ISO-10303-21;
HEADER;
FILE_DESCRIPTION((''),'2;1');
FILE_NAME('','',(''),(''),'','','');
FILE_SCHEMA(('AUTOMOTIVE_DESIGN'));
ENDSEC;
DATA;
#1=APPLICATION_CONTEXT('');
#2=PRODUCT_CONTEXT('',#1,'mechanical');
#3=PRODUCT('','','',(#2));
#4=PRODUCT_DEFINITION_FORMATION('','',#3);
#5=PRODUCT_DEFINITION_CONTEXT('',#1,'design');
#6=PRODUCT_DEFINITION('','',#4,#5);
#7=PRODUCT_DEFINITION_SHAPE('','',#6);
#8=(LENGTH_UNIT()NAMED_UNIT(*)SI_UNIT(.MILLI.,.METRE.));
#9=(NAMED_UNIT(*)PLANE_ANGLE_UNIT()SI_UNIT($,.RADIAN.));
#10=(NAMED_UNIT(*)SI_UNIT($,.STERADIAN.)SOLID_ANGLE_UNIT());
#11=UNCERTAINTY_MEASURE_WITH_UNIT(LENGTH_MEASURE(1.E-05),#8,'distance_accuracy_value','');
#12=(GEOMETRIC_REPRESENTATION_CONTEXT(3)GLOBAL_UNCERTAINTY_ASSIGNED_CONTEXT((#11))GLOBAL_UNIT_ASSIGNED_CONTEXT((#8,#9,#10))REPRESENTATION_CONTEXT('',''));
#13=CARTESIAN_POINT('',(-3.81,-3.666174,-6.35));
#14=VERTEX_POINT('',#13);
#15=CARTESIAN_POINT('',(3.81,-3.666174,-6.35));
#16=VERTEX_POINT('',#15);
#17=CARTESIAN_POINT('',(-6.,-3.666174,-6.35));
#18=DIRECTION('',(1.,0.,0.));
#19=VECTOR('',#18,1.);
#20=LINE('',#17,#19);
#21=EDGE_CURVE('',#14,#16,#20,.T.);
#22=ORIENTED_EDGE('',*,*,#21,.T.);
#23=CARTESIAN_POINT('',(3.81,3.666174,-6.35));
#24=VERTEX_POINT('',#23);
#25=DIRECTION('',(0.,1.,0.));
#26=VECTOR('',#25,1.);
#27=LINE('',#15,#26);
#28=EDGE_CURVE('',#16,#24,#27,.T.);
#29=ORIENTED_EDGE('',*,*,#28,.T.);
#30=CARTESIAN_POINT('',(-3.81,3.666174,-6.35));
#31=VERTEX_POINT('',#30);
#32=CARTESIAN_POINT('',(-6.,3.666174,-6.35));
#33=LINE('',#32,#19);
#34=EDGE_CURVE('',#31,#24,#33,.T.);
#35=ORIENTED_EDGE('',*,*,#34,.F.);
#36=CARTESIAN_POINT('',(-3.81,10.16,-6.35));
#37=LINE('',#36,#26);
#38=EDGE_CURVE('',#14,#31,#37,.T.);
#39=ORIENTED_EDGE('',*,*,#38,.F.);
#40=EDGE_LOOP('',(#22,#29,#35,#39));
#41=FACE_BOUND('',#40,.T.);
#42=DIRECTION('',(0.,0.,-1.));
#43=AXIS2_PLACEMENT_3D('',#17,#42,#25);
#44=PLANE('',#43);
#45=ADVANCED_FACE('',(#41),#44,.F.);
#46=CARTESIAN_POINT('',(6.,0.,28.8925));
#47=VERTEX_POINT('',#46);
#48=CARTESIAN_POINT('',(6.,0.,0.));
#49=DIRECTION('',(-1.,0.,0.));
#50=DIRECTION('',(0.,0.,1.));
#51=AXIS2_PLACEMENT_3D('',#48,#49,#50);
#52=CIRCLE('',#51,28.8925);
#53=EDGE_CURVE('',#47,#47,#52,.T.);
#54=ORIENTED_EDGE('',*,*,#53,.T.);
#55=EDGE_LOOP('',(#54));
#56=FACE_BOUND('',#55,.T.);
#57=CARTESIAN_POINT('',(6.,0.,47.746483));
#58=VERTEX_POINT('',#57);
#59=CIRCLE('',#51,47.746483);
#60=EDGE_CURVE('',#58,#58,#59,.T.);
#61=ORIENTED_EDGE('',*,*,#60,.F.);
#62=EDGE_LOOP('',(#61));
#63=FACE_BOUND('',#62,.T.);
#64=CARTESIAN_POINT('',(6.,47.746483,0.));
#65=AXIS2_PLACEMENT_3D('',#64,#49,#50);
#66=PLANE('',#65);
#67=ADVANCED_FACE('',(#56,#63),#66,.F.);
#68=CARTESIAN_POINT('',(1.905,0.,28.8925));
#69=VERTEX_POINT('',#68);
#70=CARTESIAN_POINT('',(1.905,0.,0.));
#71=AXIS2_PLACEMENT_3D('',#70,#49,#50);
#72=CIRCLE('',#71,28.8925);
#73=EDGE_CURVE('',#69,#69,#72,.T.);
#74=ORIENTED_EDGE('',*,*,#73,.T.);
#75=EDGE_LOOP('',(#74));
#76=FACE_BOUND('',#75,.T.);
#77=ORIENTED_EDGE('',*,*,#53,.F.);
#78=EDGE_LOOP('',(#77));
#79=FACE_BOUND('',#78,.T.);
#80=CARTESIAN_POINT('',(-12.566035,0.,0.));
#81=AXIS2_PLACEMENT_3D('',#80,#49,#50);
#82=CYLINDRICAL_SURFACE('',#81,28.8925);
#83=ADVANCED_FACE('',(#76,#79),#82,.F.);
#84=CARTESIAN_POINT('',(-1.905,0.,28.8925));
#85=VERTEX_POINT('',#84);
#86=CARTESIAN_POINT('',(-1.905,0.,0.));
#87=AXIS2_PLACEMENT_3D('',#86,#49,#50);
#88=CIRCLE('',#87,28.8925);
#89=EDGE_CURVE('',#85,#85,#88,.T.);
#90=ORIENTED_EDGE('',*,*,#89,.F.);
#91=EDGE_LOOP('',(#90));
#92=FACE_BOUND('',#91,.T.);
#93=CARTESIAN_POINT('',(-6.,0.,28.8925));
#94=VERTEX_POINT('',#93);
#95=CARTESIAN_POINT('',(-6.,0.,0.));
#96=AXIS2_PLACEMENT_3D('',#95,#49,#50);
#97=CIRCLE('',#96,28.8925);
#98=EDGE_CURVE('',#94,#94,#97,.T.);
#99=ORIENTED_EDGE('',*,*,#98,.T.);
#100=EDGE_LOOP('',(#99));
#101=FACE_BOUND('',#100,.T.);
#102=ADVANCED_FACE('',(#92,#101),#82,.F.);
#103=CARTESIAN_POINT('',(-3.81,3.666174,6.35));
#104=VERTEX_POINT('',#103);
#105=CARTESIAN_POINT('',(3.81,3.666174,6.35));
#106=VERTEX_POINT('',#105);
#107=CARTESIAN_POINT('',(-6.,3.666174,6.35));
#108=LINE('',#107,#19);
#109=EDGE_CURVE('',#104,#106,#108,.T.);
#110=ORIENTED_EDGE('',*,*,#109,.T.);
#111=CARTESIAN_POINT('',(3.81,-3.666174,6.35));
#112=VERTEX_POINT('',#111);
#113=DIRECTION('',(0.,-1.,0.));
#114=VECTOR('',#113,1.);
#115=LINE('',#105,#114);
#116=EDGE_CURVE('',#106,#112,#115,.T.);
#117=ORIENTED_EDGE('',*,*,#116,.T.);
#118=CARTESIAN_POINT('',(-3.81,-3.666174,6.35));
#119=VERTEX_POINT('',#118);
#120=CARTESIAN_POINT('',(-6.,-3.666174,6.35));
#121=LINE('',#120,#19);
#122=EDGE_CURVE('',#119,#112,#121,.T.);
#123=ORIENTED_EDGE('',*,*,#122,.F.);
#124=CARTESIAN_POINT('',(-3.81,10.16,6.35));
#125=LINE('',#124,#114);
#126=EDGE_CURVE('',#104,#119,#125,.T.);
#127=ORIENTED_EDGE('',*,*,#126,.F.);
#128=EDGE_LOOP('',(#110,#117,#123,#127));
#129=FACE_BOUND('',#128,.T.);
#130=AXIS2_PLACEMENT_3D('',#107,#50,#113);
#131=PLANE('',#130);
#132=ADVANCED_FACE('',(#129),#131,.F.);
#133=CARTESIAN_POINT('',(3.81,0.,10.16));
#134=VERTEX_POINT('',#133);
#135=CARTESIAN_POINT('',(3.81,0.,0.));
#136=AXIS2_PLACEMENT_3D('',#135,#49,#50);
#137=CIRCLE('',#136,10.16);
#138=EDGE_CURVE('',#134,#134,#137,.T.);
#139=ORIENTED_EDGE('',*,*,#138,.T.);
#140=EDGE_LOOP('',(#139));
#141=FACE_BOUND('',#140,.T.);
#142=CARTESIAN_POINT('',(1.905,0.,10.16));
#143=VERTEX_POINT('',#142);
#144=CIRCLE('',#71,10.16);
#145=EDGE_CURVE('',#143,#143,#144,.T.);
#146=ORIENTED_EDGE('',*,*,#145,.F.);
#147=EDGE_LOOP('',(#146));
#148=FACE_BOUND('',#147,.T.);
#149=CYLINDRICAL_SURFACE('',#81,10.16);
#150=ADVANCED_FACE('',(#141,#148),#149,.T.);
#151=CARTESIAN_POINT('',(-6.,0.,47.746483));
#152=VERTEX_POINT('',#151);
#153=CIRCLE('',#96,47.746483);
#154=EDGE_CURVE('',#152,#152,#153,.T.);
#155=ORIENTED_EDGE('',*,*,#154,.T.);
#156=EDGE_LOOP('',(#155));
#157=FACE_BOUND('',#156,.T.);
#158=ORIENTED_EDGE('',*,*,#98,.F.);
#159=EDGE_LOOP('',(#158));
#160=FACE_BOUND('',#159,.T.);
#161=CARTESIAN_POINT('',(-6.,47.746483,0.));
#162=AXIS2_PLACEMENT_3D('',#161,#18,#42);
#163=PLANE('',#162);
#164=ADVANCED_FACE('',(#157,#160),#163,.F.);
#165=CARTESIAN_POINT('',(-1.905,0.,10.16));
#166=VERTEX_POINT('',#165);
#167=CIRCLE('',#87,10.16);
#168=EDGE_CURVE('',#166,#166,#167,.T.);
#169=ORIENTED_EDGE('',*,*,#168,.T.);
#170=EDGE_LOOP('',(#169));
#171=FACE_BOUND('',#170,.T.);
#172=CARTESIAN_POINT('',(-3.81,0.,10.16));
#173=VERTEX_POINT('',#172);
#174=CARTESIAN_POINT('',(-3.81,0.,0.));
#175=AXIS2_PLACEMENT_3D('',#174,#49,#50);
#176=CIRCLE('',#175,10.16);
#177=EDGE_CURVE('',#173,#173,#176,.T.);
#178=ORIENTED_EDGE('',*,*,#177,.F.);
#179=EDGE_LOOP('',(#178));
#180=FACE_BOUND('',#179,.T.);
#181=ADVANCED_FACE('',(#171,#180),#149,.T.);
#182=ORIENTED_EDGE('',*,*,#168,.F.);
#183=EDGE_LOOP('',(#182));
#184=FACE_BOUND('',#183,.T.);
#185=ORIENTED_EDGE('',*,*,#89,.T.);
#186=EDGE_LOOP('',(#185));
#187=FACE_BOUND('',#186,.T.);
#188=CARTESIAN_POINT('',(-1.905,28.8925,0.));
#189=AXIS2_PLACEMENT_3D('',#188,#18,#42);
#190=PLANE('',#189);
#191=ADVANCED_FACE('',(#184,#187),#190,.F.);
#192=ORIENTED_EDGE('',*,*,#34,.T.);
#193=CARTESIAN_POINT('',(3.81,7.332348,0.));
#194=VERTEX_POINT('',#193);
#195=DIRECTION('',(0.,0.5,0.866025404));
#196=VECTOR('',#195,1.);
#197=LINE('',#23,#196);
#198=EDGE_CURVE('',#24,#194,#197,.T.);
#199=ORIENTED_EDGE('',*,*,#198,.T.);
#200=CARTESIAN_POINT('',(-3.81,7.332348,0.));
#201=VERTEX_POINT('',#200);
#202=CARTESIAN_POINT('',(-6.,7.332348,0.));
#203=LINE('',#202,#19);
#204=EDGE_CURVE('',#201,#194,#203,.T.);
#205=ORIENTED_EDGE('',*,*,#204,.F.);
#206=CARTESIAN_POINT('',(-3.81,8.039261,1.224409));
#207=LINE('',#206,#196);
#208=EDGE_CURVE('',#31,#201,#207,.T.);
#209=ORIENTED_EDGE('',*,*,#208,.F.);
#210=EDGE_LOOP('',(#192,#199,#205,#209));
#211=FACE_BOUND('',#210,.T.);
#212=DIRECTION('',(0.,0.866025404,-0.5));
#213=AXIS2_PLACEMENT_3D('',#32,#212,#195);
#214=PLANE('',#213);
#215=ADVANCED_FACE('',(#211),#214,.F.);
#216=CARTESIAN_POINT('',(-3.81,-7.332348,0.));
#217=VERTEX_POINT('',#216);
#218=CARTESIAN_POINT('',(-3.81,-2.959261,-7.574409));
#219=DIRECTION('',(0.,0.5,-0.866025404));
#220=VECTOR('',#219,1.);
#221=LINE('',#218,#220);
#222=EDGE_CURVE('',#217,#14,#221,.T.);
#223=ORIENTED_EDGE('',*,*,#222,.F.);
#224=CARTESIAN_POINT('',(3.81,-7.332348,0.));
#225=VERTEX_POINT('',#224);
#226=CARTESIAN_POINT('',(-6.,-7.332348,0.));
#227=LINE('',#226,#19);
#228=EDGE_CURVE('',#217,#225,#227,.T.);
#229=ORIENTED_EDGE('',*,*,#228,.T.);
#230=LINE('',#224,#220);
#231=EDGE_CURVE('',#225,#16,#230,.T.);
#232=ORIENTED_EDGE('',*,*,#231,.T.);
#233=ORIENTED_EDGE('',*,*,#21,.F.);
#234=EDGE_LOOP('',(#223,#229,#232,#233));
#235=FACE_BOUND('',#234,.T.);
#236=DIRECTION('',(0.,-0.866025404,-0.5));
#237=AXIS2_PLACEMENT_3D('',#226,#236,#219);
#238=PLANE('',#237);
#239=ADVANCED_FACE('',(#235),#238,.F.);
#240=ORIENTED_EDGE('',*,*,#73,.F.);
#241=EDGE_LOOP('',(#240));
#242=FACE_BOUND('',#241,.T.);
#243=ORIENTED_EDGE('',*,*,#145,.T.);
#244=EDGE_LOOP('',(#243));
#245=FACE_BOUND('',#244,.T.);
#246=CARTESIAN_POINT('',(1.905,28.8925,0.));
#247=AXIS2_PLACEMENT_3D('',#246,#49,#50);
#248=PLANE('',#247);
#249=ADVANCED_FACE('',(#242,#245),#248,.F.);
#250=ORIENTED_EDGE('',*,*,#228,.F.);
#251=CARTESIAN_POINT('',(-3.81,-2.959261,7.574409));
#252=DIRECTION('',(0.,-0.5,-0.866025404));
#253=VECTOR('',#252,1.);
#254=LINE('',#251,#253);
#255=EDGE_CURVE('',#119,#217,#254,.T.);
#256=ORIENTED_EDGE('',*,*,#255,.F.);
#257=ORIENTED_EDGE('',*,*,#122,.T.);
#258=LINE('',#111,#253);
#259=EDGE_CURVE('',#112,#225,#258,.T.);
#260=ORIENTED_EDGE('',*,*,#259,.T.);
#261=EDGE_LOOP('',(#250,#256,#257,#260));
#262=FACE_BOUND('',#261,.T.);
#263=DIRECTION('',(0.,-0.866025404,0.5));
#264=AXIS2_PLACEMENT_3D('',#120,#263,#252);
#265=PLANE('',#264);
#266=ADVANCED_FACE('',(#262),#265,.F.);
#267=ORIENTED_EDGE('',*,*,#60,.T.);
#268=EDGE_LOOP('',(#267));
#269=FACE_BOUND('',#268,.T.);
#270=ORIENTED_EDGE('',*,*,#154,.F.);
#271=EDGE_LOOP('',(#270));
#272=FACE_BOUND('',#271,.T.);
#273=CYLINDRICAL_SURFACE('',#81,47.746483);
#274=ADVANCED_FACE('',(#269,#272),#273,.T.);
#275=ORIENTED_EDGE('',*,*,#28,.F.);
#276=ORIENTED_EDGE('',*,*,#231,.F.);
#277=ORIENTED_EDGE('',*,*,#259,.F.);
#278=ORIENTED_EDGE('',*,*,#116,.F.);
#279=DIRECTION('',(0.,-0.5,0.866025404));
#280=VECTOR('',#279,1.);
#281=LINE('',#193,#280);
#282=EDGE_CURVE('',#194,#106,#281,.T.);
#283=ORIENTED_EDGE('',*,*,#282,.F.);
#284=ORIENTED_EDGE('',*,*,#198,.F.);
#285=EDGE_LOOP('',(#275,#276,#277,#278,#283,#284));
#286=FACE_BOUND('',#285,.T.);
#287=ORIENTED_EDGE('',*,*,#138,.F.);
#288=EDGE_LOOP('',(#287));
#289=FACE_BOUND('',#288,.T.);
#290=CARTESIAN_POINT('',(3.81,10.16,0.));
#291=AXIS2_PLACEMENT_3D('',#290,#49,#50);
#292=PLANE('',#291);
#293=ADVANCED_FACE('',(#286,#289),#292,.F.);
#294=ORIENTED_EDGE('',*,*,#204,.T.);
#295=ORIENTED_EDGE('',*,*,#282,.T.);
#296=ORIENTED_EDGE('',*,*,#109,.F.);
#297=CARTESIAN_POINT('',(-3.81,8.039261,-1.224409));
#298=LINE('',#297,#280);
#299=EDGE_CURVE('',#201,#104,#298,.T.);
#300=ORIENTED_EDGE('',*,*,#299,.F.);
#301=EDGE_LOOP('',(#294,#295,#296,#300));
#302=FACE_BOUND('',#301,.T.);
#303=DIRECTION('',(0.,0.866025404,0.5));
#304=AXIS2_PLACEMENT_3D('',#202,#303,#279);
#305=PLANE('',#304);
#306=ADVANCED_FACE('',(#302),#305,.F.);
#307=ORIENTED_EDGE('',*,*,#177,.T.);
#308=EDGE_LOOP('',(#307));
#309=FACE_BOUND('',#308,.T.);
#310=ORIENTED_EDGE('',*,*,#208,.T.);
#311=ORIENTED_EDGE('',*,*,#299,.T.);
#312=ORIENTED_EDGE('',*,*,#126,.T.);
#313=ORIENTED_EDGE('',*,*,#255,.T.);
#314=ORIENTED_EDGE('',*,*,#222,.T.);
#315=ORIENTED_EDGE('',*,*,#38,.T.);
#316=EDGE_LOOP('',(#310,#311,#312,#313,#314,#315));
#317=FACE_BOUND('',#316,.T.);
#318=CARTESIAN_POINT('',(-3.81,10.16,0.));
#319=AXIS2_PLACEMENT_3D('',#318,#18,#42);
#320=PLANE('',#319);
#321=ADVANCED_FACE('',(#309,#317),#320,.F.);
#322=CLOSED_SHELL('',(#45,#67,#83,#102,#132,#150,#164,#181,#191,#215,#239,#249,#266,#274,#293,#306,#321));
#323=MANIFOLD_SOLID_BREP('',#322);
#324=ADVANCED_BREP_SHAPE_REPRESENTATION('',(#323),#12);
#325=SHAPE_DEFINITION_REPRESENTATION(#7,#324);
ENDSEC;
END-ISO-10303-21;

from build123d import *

# Parameters (mm, degrees)
ENL_V_MAT_EXTRU_1_DEPTH = 69.232612173


with BuildPart() as part:
    # Esquisse1 → Révolution1 (revolve)
    with BuildSketch(Plane.XY, mode=Mode.PRIVATE) as r_volution1_sk:
        Polygon((-6, 47.746482928), (6, 47.746482928), (6, 28.8925), (1.905, 28.8925), (1.905, 10.16), (3.81, 10.16), (3.81, 0), (-3.81, 0), (-3.81, 10.16), (-1.905, 10.16), (-1.905, 28.8925), (-6, 28.8925), align=None)
    revolve(r_volution1_sk.sketch.rotate(Axis((-12.56603466, 0, 0), (1, 0, 0)), 90), axis=Axis((-12.56603466, 0, 0), (1, 0, 0)))

    # Esquisse2 → Enlèv. mat.-Extru.1 (cut, through all)
    with BuildSketch(Plane(origin=(3.81, 0, 0), x_dir=(0, 0, -1), z_dir=(1, 0, 0))):
        Polygon((0, 7.332348419), (-6.35, 3.666174209), (-6.35, -3.666174209), (0, -7.332348419), (6.35, -3.666174209), (6.35, 3.666174209), align=None)
    extrude(amount=-ENL_V_MAT_EXTRU_1_DEPTH, mode=Mode.SUBTRACT)


solid = part.part
